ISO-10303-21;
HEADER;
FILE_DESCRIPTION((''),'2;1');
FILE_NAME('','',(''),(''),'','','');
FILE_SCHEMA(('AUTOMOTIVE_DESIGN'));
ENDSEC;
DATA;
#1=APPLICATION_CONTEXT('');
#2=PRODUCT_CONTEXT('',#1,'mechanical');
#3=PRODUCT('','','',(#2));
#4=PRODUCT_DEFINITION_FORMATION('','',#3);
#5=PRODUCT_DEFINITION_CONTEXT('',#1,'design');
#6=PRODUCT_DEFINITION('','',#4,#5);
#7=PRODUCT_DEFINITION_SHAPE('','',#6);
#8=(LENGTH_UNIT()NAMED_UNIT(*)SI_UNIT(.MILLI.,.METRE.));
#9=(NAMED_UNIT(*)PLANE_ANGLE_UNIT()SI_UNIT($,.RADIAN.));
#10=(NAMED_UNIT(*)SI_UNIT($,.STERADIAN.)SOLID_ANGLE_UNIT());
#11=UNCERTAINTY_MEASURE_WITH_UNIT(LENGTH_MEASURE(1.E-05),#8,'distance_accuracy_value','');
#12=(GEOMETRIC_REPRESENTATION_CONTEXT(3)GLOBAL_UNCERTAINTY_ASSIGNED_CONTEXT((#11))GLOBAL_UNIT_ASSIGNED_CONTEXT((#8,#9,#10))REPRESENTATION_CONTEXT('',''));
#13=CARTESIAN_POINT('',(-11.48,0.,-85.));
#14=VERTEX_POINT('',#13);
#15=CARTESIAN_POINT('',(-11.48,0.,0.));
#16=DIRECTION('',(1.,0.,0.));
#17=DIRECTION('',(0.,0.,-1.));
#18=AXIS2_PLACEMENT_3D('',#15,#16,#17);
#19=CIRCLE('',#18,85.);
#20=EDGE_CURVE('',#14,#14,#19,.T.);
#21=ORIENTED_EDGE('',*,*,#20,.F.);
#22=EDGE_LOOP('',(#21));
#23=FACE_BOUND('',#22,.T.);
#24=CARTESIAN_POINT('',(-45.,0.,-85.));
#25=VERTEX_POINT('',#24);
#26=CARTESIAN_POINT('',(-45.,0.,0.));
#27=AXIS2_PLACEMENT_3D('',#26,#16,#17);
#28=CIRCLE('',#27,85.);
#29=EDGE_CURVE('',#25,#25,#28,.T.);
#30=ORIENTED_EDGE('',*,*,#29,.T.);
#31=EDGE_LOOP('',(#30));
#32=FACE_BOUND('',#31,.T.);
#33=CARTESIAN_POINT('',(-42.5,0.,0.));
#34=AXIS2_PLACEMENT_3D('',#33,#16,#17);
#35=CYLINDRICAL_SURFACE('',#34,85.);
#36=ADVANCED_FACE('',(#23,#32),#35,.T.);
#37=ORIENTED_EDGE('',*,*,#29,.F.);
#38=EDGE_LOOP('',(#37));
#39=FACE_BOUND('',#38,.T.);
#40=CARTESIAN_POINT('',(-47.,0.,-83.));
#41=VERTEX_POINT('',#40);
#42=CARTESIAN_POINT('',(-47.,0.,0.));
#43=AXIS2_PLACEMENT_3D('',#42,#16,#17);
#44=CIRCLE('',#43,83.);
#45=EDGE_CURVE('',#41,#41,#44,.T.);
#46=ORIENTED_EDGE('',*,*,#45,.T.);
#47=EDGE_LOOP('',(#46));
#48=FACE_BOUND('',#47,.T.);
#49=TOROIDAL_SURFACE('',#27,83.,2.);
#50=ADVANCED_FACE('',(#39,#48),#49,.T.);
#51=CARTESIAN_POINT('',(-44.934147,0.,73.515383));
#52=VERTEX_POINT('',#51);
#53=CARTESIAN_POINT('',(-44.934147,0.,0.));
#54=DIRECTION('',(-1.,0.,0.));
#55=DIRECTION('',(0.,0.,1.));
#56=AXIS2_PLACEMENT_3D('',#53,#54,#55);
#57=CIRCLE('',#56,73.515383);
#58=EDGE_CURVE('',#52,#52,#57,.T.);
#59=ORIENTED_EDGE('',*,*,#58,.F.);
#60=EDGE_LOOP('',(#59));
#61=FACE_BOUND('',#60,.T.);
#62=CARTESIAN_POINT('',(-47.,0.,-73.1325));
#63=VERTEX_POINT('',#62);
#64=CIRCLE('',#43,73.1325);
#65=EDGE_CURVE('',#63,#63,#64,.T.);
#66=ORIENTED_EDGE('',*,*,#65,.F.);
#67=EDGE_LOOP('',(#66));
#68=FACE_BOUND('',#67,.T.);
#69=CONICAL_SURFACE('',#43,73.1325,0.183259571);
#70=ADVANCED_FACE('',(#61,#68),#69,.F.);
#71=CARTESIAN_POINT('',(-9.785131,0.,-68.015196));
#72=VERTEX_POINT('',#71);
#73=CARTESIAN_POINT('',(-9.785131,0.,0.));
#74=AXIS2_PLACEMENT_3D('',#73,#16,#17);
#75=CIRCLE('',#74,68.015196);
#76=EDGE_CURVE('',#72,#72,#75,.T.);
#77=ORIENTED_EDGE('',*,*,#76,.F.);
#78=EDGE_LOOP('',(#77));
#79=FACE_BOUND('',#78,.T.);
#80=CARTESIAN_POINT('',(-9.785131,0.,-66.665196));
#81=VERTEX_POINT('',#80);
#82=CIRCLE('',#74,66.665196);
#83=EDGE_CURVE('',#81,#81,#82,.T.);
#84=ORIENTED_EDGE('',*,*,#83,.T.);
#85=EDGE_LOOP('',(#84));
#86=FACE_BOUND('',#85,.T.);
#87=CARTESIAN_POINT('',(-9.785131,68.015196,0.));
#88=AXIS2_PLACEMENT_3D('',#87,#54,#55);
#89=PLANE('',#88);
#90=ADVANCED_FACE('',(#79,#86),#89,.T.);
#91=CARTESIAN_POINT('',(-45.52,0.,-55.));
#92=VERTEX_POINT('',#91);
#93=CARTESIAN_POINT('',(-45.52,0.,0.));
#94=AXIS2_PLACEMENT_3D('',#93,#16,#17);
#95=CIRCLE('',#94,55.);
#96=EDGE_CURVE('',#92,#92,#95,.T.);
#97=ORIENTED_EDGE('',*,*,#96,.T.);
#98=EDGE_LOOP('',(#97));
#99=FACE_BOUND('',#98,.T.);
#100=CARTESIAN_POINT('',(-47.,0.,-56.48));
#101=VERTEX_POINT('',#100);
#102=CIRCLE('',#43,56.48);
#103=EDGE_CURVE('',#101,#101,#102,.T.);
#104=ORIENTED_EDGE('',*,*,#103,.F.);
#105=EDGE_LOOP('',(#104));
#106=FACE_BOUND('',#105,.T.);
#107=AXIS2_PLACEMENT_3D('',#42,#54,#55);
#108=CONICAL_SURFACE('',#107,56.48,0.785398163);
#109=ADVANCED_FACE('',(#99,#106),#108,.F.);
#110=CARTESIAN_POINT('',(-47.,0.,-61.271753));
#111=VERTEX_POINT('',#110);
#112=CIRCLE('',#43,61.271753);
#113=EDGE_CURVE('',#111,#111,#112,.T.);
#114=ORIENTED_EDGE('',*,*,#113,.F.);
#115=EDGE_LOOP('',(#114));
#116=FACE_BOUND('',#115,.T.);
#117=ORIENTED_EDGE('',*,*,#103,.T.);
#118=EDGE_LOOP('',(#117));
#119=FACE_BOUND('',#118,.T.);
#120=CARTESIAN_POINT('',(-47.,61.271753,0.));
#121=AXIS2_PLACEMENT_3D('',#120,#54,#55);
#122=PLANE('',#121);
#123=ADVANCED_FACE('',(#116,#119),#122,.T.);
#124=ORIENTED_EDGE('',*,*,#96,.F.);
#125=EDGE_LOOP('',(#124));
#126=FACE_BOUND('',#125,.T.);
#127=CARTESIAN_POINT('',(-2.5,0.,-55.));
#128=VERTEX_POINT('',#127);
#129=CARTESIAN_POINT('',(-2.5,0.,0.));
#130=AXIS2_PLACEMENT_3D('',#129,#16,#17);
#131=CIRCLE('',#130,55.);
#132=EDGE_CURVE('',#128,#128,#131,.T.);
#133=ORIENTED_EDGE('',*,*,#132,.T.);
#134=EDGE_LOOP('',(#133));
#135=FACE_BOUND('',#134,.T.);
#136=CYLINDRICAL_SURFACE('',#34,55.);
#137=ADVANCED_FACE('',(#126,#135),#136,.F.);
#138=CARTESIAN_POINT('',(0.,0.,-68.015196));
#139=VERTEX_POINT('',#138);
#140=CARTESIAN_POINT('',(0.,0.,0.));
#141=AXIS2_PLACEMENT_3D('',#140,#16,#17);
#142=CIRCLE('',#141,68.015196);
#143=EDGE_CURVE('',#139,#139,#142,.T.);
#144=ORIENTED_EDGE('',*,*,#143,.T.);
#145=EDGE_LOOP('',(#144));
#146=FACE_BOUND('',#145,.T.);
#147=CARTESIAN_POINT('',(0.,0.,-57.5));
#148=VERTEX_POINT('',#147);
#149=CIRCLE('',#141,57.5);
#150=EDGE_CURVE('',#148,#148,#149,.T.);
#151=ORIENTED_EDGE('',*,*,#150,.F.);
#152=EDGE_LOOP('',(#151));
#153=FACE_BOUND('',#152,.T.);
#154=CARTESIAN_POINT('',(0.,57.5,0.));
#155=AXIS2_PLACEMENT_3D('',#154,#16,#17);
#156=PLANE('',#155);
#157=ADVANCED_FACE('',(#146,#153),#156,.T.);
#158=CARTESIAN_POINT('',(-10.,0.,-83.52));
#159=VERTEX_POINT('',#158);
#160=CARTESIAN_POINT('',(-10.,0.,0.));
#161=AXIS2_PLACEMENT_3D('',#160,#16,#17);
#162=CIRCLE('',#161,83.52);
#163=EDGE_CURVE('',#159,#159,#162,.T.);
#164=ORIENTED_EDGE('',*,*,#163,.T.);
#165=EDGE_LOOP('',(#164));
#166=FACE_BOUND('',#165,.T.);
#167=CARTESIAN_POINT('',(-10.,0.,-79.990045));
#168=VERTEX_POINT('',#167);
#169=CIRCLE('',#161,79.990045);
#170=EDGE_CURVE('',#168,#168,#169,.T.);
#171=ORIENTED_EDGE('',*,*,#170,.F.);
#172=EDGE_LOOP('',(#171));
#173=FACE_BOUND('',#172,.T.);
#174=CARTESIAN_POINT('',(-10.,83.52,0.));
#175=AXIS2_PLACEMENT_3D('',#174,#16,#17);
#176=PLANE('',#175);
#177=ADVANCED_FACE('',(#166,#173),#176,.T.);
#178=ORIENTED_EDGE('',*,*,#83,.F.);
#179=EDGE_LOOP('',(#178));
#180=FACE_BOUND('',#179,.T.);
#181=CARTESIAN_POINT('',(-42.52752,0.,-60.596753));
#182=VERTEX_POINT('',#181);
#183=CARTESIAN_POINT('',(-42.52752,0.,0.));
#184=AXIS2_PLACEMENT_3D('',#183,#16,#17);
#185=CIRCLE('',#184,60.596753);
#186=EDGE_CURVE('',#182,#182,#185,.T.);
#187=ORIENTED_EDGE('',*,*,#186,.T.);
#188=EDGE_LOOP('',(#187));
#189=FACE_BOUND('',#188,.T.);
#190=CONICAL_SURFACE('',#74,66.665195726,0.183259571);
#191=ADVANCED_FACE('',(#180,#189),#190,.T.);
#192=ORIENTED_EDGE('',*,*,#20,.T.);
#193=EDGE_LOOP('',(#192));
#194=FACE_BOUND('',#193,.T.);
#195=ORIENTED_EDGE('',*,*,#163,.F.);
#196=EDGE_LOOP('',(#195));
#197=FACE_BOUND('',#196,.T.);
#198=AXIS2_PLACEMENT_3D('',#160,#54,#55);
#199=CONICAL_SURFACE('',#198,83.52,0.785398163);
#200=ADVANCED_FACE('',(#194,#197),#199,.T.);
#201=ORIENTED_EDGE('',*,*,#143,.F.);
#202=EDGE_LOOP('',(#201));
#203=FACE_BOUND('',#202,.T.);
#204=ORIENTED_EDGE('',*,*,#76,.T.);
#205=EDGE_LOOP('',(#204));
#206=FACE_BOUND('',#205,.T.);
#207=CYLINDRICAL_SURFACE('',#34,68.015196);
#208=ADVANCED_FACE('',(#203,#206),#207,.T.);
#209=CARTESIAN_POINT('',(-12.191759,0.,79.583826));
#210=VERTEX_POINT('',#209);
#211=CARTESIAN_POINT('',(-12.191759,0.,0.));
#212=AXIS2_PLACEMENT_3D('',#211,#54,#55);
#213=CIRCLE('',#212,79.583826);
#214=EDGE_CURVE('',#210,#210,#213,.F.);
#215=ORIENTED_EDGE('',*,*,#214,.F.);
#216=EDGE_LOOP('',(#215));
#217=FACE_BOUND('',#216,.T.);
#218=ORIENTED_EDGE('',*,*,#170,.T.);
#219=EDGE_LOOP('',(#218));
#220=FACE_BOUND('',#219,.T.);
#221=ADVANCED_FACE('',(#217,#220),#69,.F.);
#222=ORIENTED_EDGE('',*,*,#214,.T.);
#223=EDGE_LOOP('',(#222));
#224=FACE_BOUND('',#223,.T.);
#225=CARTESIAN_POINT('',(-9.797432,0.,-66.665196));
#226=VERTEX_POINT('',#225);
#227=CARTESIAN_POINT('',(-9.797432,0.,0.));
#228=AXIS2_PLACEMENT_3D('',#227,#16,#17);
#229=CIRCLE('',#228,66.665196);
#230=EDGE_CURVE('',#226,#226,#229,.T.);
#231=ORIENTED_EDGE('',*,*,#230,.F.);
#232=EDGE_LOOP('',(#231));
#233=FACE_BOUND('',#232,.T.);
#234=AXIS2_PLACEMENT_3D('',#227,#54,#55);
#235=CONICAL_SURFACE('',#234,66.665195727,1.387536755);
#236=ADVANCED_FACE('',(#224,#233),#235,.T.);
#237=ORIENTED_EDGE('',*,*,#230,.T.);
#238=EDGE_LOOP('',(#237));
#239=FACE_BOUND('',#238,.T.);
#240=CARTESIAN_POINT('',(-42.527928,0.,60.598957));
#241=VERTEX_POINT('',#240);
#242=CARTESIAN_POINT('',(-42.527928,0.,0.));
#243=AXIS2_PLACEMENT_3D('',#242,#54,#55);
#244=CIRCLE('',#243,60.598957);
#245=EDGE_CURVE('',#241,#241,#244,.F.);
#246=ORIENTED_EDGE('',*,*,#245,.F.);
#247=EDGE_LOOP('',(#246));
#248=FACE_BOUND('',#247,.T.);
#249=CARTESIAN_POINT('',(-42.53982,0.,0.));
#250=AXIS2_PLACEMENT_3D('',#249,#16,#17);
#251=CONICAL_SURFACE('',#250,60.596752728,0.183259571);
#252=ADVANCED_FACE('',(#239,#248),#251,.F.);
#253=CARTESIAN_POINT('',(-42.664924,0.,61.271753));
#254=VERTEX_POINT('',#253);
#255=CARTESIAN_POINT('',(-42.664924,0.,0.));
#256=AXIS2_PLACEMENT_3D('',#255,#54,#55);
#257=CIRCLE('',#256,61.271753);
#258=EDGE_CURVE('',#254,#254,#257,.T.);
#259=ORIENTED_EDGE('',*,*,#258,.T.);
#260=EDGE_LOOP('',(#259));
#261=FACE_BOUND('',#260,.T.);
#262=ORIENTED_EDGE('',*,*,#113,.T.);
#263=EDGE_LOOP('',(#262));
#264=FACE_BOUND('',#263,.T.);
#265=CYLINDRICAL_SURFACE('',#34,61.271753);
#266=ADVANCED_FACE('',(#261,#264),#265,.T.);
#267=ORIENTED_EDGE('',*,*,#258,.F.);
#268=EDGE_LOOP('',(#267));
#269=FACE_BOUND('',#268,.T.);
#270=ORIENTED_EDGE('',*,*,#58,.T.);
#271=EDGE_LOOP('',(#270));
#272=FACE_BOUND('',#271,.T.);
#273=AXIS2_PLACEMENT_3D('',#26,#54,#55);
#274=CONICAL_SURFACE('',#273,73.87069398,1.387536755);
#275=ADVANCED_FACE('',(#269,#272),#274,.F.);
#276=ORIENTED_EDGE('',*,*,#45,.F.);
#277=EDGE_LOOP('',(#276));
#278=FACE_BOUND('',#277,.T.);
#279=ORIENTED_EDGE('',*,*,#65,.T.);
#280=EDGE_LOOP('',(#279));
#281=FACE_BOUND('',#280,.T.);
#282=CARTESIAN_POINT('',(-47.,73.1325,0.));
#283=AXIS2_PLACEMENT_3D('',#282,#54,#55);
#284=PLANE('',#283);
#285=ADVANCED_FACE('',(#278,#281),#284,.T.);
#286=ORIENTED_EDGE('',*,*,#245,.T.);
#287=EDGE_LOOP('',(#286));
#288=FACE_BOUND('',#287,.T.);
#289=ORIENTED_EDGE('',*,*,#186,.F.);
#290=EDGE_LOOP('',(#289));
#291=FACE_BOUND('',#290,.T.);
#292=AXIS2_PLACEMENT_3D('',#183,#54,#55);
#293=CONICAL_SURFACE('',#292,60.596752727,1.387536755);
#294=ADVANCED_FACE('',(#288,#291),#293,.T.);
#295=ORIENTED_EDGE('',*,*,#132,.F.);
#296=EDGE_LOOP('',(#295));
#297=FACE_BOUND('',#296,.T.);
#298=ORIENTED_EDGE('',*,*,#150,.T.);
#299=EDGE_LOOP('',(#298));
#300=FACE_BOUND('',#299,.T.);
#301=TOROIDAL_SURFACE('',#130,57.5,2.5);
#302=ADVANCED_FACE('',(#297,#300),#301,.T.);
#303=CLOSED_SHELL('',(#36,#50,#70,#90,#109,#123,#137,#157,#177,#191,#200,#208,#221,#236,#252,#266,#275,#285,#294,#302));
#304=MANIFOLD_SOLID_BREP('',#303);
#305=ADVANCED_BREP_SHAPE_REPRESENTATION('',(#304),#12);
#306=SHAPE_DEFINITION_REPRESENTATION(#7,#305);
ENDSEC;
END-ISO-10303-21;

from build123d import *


with BuildPart() as part:
    # OutRacSke → OuterRace (revolve)
    with BuildSketch(Plane.XY):
        with BuildLine():
            Line((-10, 79.990044662), (-47, 73.1325))
            Line((-47, 73.1325), (-47, 83))
            ThreePointArc((-47, 83), (-46.414213562, 84.414213562), (-45, 85))
            Line((-45, 85), (-11.48, 85))
            Line((-11.48, 85), (-10, 83.52))
            Line((-10, 83.52), (-10, 79.990044662))
        make_face()
    revolve(axis=Axis((-42.5, 0, 0), (1, 0, 0)))

    # RolSimSke → RollersSimplified (revolve)
    with BuildSketch(Plane.XY):
        Polygon((-45, 73.87069398), (-12.257611578, 79.939136979), (-9.797431984, 66.665195727), (-42.539820406, 60.596752728), align=None)
    revolve(axis=Axis((0, 0, 0), (-1, 0, 0)))

    # InsRacSke → InnerRace (revolve)
    with BuildSketch(Plane.XY):
        with BuildLine():
            Line((-42.652623366, 61.271752727), (-47, 61.271752727))
            Line((-47, 61.271752727), (-47, 56.48))
            Line((-47, 56.48), (-45.52, 55))
            Line((-45.52, 55), (-2.5, 55))
            ThreePointArc((-2.5, 55), (-0.732233047, 55.732233047), (0, 57.5))
            Line((0, 57.5), (0, 68.015195726))
            Line((0, 68.015195726), (-9.785131089, 68.015195726))
            Line((-9.785131089, 68.015195726), (-9.785131089, 66.665195726))
            Line((-9.785131089, 66.665195726), (-42.527519511, 60.596752727))
            Line((-42.527519511, 60.596752727), (-42.652623366, 61.271752727))
        make_face()
    revolve(axis=Axis((-42.5, 0, 0), (1, 0, 0)))


solid = part.part
